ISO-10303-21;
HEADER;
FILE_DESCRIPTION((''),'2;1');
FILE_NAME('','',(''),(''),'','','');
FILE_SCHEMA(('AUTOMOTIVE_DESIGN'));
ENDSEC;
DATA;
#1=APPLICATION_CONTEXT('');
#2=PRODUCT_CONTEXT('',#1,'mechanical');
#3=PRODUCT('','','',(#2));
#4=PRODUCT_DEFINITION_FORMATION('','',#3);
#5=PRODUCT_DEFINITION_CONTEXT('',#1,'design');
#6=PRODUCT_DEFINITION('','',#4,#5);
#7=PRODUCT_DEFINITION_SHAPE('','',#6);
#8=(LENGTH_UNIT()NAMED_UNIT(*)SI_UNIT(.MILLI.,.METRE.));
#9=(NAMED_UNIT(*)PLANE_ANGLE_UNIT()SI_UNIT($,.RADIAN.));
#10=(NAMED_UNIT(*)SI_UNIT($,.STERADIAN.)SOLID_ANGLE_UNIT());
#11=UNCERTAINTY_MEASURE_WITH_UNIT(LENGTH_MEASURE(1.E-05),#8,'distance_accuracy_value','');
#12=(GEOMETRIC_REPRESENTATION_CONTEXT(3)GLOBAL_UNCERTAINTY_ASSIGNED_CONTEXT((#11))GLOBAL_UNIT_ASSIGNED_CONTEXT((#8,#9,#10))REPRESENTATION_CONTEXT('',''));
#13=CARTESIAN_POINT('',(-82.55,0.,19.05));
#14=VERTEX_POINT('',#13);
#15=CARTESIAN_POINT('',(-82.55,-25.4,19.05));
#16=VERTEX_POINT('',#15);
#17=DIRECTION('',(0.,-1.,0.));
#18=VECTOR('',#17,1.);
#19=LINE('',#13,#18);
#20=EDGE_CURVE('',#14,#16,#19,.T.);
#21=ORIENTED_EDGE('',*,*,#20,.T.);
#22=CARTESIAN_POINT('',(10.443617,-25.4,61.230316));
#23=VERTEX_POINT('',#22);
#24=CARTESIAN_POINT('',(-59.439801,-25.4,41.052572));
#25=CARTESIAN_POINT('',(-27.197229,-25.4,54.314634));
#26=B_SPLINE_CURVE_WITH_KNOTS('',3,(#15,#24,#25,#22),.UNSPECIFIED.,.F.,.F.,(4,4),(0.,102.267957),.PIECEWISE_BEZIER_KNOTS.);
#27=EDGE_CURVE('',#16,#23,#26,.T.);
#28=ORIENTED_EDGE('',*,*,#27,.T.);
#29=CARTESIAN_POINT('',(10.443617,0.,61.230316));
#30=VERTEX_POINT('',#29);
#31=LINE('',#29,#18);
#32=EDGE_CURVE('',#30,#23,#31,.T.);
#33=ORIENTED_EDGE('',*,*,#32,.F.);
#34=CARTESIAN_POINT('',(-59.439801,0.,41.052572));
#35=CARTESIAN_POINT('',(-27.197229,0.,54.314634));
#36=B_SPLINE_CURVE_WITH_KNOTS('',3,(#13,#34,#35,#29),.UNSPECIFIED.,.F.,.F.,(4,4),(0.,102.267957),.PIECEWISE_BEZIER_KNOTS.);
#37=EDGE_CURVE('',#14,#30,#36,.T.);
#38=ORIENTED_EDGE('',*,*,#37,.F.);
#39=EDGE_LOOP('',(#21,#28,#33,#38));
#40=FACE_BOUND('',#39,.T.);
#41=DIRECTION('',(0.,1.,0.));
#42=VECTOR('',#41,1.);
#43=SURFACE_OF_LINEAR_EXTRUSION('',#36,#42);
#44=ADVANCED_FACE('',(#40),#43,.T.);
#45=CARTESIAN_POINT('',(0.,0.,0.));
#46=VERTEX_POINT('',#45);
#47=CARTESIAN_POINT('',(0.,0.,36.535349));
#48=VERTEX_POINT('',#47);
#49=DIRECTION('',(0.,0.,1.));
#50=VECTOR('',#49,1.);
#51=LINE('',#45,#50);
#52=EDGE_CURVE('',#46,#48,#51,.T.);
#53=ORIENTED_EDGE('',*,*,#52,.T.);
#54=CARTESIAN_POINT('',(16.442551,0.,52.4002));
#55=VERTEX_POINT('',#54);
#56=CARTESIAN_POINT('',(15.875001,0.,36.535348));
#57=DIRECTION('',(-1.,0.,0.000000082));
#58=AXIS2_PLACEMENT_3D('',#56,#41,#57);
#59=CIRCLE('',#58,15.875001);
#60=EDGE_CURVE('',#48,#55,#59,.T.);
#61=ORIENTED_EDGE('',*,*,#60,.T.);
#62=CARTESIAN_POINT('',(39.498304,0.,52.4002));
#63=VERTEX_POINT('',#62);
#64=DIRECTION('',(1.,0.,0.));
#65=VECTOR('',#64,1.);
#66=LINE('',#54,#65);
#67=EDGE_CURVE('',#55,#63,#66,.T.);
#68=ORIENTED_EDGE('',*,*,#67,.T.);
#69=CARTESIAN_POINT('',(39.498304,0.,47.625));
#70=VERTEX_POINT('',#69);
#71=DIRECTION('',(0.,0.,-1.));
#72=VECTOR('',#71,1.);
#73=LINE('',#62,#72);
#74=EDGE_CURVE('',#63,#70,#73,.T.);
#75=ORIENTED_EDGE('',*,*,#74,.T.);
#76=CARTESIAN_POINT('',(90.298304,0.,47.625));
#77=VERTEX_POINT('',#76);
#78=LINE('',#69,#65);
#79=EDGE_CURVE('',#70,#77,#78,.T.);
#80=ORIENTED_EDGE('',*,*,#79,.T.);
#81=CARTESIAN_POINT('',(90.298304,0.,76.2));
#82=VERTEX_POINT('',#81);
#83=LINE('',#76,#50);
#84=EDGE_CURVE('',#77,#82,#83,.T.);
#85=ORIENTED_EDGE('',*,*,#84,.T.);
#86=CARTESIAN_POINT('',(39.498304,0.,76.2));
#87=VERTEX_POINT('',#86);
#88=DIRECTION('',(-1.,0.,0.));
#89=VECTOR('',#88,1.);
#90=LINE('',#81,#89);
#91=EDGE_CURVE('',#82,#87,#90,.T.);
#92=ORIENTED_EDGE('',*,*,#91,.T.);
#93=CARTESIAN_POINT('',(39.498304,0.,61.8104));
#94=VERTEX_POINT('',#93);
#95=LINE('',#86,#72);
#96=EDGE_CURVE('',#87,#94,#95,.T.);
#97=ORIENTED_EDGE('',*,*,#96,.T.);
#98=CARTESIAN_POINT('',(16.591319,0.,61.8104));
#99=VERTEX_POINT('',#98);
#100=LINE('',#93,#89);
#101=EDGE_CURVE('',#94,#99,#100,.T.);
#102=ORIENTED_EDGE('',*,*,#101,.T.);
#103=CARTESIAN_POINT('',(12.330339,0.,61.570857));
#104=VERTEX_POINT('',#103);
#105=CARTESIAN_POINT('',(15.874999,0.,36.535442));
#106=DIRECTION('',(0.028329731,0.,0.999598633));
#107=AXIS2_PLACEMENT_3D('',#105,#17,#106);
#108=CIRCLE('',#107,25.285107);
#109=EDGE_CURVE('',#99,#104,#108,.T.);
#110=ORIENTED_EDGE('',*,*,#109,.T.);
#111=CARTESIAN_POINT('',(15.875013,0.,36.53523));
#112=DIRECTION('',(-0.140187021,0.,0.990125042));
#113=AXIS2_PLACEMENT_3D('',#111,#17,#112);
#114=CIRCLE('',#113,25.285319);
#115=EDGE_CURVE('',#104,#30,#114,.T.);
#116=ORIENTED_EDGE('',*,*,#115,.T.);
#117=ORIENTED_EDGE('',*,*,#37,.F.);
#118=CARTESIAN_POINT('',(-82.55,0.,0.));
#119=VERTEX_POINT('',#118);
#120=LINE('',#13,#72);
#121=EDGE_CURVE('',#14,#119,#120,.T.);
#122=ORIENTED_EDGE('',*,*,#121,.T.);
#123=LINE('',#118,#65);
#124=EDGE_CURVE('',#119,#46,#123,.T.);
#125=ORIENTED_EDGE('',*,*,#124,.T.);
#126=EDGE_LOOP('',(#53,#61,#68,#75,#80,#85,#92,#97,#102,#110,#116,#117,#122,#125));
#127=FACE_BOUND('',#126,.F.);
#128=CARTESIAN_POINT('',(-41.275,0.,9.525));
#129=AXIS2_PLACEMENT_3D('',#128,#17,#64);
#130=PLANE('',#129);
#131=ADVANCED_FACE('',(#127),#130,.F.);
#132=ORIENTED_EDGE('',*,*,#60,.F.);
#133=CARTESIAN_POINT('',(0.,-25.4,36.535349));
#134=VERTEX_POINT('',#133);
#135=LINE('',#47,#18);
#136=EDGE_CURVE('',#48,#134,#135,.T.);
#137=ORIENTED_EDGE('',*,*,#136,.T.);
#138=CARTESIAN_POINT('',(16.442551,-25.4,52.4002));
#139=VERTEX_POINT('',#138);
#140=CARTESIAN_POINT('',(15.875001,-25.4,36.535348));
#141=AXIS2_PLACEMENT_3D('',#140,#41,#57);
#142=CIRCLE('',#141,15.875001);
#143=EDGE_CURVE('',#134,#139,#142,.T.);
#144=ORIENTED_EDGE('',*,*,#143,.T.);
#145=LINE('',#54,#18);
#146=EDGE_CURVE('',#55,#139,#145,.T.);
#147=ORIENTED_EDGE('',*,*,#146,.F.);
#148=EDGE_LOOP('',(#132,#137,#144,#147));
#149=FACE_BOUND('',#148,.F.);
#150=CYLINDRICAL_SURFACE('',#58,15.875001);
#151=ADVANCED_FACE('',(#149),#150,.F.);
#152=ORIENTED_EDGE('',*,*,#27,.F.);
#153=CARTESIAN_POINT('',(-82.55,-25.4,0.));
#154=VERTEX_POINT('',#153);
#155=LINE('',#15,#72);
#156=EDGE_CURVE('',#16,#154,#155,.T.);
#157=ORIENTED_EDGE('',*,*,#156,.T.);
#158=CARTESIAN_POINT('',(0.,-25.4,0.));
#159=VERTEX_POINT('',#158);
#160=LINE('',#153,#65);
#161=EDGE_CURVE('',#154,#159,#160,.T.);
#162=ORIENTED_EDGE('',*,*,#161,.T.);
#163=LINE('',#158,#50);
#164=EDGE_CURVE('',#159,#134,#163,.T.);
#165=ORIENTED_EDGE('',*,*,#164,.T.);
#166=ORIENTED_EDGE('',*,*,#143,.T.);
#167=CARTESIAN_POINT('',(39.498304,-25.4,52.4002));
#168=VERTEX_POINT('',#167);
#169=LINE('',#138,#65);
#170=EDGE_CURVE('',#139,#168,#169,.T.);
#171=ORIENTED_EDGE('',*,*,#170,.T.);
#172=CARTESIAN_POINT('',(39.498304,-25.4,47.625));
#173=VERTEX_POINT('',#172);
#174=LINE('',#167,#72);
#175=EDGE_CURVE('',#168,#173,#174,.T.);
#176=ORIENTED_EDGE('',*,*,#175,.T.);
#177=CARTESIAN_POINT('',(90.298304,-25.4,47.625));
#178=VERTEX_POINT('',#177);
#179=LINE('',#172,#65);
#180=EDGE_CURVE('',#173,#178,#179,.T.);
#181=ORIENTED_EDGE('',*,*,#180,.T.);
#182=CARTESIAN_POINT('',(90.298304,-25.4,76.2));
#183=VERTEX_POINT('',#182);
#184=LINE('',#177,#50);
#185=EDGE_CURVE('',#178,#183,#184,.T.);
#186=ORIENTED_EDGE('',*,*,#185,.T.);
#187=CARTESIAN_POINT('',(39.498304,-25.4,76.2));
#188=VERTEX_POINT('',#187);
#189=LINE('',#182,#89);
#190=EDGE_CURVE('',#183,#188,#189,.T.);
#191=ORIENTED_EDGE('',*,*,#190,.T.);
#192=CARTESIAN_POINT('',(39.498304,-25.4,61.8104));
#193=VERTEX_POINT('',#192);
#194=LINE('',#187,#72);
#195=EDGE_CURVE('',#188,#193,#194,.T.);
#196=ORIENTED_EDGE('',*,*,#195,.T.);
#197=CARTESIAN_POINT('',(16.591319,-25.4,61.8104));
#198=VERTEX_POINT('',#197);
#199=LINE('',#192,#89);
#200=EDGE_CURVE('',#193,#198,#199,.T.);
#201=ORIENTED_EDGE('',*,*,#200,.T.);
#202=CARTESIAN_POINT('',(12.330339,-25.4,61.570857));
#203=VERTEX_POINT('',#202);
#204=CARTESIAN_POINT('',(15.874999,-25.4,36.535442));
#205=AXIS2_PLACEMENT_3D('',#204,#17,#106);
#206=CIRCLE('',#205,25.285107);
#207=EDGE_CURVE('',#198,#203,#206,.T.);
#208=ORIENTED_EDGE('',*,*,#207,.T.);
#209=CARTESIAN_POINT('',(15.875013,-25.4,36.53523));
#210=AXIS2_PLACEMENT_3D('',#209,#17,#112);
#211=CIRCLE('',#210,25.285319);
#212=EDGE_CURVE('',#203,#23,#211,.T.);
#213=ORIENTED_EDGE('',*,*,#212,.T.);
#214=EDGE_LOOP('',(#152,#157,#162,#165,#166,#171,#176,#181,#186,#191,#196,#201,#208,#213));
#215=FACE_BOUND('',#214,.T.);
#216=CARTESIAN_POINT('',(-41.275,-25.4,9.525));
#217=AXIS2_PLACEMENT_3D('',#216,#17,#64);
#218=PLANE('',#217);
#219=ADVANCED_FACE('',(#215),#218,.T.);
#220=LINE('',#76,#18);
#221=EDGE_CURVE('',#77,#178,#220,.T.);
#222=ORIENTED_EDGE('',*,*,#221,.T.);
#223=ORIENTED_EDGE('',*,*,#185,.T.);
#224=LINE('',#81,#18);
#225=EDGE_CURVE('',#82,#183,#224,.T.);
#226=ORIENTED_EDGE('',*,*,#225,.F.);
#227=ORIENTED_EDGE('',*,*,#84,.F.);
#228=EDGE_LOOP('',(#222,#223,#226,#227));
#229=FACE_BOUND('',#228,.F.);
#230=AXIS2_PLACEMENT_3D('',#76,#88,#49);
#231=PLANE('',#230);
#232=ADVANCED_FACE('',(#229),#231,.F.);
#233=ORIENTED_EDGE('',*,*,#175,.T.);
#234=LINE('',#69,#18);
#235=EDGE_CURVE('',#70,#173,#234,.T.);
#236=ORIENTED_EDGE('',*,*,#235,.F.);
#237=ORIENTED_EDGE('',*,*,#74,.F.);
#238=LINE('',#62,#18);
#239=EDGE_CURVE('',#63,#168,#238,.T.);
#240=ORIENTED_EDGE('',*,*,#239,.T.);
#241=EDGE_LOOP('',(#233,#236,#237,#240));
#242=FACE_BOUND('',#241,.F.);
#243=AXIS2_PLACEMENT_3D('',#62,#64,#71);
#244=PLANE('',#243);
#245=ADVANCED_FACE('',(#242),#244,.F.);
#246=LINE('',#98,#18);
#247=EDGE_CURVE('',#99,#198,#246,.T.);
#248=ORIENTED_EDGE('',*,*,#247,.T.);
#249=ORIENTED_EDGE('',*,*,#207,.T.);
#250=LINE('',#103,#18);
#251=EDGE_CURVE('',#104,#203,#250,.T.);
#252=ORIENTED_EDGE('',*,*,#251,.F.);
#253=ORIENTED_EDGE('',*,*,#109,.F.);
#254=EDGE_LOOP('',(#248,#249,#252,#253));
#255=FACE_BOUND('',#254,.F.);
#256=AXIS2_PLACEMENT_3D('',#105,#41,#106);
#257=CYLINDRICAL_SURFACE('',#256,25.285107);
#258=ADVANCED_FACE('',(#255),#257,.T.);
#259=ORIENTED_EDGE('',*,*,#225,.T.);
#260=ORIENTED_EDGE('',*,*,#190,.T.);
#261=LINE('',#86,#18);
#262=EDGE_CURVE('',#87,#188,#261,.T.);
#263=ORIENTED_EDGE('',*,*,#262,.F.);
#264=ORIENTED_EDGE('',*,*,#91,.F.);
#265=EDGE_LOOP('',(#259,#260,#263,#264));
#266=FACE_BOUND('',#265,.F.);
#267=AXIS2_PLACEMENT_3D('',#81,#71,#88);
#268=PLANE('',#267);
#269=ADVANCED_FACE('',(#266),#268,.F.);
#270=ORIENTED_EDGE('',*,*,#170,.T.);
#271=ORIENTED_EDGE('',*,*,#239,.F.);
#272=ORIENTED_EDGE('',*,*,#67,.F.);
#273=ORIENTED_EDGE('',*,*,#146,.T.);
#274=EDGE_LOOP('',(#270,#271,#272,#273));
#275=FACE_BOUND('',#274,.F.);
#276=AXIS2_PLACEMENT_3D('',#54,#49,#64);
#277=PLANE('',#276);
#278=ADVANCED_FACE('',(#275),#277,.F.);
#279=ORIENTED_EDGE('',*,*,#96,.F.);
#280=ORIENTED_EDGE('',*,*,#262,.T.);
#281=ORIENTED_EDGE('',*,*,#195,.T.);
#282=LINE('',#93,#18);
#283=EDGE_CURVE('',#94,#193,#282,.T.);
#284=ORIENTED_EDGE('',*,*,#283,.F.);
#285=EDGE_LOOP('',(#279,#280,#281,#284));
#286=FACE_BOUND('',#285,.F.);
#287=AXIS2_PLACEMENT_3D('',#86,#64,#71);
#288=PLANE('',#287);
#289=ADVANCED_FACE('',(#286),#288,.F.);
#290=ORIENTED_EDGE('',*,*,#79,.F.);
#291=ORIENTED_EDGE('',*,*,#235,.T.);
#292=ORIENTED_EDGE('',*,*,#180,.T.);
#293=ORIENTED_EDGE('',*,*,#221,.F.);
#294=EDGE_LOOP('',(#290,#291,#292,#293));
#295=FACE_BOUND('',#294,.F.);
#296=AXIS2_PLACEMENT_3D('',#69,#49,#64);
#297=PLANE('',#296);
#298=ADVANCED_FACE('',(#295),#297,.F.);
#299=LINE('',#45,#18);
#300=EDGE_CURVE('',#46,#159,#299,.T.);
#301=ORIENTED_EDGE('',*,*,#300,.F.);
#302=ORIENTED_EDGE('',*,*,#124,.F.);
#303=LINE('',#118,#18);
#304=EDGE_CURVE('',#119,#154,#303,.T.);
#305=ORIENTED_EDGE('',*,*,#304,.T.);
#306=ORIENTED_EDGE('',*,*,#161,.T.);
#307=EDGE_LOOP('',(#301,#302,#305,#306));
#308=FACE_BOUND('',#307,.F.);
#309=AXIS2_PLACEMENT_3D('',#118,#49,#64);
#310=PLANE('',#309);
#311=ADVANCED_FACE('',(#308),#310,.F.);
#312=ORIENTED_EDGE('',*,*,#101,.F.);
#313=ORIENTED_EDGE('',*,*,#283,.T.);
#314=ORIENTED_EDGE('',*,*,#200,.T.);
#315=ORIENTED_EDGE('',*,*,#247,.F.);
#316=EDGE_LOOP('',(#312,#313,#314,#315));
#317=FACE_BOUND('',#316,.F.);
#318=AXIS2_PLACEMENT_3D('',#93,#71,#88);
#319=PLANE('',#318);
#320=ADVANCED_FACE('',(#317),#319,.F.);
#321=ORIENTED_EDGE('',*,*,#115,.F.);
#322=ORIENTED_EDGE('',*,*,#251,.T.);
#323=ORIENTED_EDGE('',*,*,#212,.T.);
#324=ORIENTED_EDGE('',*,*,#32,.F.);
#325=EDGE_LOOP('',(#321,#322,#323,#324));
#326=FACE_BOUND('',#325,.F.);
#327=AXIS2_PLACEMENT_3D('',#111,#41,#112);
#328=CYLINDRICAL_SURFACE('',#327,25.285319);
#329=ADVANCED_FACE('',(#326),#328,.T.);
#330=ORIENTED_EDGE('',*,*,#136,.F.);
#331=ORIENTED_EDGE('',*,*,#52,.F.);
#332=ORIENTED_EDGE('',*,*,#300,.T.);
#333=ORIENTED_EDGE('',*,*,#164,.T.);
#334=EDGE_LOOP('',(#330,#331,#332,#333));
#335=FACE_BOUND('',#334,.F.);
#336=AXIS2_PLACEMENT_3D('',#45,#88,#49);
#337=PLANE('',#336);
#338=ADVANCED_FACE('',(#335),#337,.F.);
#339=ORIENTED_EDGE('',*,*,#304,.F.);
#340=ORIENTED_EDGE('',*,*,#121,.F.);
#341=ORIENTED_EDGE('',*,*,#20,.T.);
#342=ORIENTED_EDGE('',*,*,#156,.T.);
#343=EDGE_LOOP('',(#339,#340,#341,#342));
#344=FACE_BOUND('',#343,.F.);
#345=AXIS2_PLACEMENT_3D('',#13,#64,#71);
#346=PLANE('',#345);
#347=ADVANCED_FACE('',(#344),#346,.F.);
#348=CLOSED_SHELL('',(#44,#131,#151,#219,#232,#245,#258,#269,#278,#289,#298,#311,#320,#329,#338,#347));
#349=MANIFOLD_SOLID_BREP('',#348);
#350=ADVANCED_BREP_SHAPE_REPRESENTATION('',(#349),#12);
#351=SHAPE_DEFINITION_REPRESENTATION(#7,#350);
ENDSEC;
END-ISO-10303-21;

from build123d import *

# Parameters (mm, degrees)
F1_DEPTH = 25.4


with BuildPart() as f1:
    # F0 (on Front) → F1 (new body)
    with BuildSketch(Plane.XZ):
        Polygon((-82.55, 0), (0, 0), (0, 19.05), (-9.4102, 19.05), (-82.55, 19.05), align=None)
        with BuildLine():
            Line((-9.4102, 19.05), (0, 19.05))
            Line((0, 19.05), (0, 36.535349))
            ThreePointArc((0, 36.535349), (4.852166, 47.959566), (16.442551, 52.4002))
            Line((16.442551, 52.4002), (39.498304, 52.4002))
            Line((39.498304, 52.4002), (39.498304, 61.8104))
            Line((39.498304, 61.8104), (16.591319, 61.8104))
            ThreePointArc((16.591319, 61.8104), (14.455766, 61.780687), (12.330339, 61.570857))
            add(Edge.make_bspline(
                [(10.443617, 61.230316), (11.07103, 61.345589), (11.699943, 61.459099), (12.330339, 61.570857)],
                knots=[102.267957, 102.267957, 102.267957, 102.267957, 103.972602, 103.972602, 103.972602, 103.972602], degree=3))
            ThreePointArc((10.443617, 61.230316), (-3.83128, 52.37845), (-9.4102, 36.535349))
            Line((-9.4102, 36.535349), (-9.4102, 19.05))
        make_face()
        with BuildLine():
            add(Edge.make_bspline(
                [(-82.55, 19.05), (-59.439801, 41.052572), (-27.197229, 54.314634), (10.443617, 61.230316)],
                knots=[0, 0, 0, 0, 102.267957, 102.267957, 102.267957, 102.267957], degree=3))
            Line((-82.55, 19.05), (-9.4102, 19.05))
            Line((-9.4102, 19.05), (-9.4102, 36.535349))
            ThreePointArc((-9.4102, 36.535349), (-3.83128, 52.37845), (10.443617, 61.230316))
        make_face()
        with BuildLine():
            ThreePointArc((12.330339, 61.570857), (11.383749, 61.418475), (10.443617, 61.230316))
            add(Edge.make_bspline(
                [(10.443617, 61.230316), (11.07103, 61.345589), (11.699943, 61.459099), (12.330339, 61.570857)],
                knots=[102.267957, 102.267957, 102.267957, 102.267957, 103.972602, 103.972602, 103.972602, 103.972602], degree=3))
        make_face()
        Polygon((39.498304, 61.8104), (39.498304, 52.4002), (39.498304, 47.625), (90.298304, 47.625), (90.298304, 76.2), (39.498304, 76.2), align=None)
    extrude(amount=F1_DEPTH)


solid = f1.part
